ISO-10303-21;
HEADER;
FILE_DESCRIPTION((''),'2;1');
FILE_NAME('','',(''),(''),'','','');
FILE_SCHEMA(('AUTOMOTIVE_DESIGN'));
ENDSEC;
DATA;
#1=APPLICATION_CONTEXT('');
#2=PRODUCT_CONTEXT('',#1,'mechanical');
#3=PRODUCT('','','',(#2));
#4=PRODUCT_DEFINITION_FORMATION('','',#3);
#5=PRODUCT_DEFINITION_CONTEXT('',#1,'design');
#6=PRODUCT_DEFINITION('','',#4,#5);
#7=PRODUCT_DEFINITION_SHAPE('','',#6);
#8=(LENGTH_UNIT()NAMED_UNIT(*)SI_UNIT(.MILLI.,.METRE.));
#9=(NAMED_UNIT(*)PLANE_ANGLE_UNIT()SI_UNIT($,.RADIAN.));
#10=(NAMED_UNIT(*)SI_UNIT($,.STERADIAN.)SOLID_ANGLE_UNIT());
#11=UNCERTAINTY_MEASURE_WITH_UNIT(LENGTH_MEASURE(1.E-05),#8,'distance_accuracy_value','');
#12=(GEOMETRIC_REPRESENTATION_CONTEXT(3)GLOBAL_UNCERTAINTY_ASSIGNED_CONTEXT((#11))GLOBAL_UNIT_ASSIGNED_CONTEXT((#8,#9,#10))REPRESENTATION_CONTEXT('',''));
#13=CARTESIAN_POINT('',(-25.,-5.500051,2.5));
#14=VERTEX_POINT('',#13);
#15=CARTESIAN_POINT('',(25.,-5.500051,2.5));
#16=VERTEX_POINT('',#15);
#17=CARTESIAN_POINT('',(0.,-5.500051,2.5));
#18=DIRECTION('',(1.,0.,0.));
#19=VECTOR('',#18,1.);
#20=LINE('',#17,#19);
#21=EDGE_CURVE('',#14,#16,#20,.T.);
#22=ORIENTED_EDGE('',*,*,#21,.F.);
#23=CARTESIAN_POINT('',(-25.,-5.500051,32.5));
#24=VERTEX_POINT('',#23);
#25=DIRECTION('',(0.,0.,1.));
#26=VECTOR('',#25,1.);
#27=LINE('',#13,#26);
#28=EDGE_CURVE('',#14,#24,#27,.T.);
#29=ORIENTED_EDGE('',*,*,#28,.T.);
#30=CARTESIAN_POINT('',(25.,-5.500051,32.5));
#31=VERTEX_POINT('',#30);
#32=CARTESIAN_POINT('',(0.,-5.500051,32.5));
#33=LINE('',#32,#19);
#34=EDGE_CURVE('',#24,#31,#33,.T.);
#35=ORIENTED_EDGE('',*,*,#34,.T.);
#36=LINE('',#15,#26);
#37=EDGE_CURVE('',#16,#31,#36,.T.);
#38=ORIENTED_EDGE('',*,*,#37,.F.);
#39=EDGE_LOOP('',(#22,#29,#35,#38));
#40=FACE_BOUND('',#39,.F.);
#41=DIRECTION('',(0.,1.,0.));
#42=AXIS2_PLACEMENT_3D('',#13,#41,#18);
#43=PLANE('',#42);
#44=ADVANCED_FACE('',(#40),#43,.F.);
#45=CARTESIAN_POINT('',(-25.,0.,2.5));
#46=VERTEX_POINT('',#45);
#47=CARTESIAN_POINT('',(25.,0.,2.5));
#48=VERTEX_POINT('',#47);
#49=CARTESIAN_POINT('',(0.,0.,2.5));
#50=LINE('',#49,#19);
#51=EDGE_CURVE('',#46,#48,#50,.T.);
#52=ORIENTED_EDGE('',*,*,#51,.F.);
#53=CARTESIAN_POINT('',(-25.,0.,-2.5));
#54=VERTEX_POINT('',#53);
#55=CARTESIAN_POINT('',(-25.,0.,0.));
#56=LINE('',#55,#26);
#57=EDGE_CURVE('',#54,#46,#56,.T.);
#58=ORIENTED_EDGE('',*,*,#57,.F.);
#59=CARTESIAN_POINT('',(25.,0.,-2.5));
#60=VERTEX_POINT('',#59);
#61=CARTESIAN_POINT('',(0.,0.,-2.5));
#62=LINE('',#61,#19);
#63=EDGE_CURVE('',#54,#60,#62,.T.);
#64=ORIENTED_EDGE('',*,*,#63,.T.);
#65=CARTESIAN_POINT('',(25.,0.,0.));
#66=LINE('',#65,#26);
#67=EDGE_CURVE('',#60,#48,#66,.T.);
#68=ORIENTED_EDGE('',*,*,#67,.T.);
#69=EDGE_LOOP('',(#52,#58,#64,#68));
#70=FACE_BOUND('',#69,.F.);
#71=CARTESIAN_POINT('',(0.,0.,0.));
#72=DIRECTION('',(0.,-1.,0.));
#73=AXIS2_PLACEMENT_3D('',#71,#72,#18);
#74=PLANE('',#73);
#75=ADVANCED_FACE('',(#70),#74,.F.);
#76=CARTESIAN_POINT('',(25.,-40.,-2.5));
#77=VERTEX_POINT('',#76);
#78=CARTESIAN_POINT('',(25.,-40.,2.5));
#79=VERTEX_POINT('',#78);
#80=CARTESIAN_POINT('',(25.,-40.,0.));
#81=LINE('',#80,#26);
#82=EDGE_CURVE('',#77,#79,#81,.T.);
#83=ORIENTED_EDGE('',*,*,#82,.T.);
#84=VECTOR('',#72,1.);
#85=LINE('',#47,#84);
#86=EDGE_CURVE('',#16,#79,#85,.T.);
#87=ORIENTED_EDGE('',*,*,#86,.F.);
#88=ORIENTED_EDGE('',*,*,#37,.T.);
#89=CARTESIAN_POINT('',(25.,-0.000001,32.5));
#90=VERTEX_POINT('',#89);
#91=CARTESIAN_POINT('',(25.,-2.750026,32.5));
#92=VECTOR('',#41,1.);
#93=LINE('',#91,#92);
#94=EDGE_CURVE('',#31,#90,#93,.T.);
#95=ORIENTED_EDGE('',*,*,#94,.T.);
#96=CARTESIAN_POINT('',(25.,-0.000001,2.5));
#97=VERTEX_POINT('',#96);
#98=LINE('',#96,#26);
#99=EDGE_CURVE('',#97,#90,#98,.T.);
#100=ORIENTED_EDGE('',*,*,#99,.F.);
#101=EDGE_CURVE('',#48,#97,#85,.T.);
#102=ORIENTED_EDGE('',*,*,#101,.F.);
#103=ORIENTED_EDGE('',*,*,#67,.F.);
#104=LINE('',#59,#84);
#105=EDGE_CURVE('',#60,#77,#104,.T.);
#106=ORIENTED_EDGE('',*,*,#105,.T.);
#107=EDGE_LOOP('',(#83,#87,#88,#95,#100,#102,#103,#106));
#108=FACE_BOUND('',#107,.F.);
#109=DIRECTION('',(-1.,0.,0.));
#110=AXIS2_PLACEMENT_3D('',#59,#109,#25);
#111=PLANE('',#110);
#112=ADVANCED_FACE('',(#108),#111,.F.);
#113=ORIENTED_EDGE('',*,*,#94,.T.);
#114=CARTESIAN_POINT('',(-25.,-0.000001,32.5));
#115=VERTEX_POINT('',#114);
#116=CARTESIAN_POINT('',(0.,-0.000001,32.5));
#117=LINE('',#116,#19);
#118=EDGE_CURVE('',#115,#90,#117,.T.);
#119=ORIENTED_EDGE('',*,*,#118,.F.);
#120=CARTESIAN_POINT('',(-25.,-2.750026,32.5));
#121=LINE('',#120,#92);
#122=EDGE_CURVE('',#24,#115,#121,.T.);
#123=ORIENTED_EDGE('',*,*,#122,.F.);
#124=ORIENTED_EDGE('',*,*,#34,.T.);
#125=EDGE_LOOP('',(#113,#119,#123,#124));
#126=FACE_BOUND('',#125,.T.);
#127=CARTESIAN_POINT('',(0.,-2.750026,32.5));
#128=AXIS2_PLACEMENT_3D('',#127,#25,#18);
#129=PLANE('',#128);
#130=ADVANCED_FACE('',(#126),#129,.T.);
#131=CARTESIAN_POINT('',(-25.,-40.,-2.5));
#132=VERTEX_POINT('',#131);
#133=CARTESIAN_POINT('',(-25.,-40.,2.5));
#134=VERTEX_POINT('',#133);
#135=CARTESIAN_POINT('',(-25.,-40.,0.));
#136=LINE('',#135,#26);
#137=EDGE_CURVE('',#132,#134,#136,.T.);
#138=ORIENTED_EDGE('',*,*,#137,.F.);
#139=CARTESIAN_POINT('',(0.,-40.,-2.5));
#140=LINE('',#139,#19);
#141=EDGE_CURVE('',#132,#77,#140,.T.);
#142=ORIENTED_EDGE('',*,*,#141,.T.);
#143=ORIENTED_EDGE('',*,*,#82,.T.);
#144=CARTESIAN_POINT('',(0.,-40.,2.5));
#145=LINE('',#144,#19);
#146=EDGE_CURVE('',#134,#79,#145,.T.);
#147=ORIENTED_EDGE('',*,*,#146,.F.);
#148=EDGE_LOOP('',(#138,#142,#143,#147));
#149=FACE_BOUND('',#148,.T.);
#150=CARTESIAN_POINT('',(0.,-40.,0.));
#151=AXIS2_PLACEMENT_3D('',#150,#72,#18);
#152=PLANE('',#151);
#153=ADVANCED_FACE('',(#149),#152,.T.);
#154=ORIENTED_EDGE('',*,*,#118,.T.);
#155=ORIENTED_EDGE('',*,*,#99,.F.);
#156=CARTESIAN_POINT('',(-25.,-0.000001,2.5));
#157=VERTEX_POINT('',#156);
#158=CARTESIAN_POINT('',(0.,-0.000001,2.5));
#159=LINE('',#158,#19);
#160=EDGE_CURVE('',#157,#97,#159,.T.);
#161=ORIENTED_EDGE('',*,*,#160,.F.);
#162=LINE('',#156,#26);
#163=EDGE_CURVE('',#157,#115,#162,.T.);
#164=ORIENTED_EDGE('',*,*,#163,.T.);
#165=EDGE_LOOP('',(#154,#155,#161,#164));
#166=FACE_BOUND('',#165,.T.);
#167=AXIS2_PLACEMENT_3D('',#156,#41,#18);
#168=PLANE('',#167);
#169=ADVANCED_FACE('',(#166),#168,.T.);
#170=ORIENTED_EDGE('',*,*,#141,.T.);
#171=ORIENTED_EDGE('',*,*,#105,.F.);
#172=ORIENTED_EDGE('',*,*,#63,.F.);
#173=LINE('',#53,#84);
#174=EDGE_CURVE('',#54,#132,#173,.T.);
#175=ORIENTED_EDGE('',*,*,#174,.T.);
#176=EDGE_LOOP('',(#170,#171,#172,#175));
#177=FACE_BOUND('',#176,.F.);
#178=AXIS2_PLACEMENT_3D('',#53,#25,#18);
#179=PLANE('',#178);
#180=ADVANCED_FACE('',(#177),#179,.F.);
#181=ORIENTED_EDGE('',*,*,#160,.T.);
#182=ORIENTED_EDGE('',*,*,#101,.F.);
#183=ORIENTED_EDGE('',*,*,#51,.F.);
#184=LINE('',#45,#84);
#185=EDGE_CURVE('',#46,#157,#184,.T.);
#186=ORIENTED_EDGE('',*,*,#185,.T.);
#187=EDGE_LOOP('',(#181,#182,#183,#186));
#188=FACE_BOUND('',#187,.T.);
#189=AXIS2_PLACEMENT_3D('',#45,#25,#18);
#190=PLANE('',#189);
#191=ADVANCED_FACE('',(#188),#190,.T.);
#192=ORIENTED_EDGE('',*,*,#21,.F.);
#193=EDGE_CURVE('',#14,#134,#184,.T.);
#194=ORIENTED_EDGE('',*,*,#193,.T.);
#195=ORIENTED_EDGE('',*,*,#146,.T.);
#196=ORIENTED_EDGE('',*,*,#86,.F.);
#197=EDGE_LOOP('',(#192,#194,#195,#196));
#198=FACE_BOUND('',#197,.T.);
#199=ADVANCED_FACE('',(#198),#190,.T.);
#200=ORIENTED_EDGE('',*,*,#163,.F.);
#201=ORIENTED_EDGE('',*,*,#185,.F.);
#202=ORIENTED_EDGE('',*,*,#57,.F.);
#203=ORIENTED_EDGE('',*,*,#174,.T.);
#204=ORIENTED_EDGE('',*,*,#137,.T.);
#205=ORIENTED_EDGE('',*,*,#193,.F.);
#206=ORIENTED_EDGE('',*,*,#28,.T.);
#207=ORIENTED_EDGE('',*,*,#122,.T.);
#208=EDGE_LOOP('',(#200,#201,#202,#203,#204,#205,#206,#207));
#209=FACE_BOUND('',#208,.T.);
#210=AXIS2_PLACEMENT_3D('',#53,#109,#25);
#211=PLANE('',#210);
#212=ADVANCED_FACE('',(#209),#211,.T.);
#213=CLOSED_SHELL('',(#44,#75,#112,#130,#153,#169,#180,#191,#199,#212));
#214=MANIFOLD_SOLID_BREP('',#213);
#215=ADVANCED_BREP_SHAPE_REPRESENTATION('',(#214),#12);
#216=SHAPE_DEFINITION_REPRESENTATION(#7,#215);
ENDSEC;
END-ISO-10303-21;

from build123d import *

# Parameters (mm, degrees)
F0_W     = 50
F0_H     = 5
F1_DEPTH = 40
F2_W     = 50
F2_H     = 5.500051
F3_DEPTH = 30


with BuildPart() as f1:
    # F0 (on Front) → F1 (new body)
    with BuildSketch(Plane.XZ):
        Rectangle(F0_W, F0_H)
    extrude(amount=F1_DEPTH)

    # F2 (on face) → F3 (join)
    with BuildSketch(Plane.XY.offset(2.5)):
        with Locations((0, -2.750026)):
            Rectangle(F2_W, F2_H)
    extrude(amount=F3_DEPTH)


solid = f1.part
